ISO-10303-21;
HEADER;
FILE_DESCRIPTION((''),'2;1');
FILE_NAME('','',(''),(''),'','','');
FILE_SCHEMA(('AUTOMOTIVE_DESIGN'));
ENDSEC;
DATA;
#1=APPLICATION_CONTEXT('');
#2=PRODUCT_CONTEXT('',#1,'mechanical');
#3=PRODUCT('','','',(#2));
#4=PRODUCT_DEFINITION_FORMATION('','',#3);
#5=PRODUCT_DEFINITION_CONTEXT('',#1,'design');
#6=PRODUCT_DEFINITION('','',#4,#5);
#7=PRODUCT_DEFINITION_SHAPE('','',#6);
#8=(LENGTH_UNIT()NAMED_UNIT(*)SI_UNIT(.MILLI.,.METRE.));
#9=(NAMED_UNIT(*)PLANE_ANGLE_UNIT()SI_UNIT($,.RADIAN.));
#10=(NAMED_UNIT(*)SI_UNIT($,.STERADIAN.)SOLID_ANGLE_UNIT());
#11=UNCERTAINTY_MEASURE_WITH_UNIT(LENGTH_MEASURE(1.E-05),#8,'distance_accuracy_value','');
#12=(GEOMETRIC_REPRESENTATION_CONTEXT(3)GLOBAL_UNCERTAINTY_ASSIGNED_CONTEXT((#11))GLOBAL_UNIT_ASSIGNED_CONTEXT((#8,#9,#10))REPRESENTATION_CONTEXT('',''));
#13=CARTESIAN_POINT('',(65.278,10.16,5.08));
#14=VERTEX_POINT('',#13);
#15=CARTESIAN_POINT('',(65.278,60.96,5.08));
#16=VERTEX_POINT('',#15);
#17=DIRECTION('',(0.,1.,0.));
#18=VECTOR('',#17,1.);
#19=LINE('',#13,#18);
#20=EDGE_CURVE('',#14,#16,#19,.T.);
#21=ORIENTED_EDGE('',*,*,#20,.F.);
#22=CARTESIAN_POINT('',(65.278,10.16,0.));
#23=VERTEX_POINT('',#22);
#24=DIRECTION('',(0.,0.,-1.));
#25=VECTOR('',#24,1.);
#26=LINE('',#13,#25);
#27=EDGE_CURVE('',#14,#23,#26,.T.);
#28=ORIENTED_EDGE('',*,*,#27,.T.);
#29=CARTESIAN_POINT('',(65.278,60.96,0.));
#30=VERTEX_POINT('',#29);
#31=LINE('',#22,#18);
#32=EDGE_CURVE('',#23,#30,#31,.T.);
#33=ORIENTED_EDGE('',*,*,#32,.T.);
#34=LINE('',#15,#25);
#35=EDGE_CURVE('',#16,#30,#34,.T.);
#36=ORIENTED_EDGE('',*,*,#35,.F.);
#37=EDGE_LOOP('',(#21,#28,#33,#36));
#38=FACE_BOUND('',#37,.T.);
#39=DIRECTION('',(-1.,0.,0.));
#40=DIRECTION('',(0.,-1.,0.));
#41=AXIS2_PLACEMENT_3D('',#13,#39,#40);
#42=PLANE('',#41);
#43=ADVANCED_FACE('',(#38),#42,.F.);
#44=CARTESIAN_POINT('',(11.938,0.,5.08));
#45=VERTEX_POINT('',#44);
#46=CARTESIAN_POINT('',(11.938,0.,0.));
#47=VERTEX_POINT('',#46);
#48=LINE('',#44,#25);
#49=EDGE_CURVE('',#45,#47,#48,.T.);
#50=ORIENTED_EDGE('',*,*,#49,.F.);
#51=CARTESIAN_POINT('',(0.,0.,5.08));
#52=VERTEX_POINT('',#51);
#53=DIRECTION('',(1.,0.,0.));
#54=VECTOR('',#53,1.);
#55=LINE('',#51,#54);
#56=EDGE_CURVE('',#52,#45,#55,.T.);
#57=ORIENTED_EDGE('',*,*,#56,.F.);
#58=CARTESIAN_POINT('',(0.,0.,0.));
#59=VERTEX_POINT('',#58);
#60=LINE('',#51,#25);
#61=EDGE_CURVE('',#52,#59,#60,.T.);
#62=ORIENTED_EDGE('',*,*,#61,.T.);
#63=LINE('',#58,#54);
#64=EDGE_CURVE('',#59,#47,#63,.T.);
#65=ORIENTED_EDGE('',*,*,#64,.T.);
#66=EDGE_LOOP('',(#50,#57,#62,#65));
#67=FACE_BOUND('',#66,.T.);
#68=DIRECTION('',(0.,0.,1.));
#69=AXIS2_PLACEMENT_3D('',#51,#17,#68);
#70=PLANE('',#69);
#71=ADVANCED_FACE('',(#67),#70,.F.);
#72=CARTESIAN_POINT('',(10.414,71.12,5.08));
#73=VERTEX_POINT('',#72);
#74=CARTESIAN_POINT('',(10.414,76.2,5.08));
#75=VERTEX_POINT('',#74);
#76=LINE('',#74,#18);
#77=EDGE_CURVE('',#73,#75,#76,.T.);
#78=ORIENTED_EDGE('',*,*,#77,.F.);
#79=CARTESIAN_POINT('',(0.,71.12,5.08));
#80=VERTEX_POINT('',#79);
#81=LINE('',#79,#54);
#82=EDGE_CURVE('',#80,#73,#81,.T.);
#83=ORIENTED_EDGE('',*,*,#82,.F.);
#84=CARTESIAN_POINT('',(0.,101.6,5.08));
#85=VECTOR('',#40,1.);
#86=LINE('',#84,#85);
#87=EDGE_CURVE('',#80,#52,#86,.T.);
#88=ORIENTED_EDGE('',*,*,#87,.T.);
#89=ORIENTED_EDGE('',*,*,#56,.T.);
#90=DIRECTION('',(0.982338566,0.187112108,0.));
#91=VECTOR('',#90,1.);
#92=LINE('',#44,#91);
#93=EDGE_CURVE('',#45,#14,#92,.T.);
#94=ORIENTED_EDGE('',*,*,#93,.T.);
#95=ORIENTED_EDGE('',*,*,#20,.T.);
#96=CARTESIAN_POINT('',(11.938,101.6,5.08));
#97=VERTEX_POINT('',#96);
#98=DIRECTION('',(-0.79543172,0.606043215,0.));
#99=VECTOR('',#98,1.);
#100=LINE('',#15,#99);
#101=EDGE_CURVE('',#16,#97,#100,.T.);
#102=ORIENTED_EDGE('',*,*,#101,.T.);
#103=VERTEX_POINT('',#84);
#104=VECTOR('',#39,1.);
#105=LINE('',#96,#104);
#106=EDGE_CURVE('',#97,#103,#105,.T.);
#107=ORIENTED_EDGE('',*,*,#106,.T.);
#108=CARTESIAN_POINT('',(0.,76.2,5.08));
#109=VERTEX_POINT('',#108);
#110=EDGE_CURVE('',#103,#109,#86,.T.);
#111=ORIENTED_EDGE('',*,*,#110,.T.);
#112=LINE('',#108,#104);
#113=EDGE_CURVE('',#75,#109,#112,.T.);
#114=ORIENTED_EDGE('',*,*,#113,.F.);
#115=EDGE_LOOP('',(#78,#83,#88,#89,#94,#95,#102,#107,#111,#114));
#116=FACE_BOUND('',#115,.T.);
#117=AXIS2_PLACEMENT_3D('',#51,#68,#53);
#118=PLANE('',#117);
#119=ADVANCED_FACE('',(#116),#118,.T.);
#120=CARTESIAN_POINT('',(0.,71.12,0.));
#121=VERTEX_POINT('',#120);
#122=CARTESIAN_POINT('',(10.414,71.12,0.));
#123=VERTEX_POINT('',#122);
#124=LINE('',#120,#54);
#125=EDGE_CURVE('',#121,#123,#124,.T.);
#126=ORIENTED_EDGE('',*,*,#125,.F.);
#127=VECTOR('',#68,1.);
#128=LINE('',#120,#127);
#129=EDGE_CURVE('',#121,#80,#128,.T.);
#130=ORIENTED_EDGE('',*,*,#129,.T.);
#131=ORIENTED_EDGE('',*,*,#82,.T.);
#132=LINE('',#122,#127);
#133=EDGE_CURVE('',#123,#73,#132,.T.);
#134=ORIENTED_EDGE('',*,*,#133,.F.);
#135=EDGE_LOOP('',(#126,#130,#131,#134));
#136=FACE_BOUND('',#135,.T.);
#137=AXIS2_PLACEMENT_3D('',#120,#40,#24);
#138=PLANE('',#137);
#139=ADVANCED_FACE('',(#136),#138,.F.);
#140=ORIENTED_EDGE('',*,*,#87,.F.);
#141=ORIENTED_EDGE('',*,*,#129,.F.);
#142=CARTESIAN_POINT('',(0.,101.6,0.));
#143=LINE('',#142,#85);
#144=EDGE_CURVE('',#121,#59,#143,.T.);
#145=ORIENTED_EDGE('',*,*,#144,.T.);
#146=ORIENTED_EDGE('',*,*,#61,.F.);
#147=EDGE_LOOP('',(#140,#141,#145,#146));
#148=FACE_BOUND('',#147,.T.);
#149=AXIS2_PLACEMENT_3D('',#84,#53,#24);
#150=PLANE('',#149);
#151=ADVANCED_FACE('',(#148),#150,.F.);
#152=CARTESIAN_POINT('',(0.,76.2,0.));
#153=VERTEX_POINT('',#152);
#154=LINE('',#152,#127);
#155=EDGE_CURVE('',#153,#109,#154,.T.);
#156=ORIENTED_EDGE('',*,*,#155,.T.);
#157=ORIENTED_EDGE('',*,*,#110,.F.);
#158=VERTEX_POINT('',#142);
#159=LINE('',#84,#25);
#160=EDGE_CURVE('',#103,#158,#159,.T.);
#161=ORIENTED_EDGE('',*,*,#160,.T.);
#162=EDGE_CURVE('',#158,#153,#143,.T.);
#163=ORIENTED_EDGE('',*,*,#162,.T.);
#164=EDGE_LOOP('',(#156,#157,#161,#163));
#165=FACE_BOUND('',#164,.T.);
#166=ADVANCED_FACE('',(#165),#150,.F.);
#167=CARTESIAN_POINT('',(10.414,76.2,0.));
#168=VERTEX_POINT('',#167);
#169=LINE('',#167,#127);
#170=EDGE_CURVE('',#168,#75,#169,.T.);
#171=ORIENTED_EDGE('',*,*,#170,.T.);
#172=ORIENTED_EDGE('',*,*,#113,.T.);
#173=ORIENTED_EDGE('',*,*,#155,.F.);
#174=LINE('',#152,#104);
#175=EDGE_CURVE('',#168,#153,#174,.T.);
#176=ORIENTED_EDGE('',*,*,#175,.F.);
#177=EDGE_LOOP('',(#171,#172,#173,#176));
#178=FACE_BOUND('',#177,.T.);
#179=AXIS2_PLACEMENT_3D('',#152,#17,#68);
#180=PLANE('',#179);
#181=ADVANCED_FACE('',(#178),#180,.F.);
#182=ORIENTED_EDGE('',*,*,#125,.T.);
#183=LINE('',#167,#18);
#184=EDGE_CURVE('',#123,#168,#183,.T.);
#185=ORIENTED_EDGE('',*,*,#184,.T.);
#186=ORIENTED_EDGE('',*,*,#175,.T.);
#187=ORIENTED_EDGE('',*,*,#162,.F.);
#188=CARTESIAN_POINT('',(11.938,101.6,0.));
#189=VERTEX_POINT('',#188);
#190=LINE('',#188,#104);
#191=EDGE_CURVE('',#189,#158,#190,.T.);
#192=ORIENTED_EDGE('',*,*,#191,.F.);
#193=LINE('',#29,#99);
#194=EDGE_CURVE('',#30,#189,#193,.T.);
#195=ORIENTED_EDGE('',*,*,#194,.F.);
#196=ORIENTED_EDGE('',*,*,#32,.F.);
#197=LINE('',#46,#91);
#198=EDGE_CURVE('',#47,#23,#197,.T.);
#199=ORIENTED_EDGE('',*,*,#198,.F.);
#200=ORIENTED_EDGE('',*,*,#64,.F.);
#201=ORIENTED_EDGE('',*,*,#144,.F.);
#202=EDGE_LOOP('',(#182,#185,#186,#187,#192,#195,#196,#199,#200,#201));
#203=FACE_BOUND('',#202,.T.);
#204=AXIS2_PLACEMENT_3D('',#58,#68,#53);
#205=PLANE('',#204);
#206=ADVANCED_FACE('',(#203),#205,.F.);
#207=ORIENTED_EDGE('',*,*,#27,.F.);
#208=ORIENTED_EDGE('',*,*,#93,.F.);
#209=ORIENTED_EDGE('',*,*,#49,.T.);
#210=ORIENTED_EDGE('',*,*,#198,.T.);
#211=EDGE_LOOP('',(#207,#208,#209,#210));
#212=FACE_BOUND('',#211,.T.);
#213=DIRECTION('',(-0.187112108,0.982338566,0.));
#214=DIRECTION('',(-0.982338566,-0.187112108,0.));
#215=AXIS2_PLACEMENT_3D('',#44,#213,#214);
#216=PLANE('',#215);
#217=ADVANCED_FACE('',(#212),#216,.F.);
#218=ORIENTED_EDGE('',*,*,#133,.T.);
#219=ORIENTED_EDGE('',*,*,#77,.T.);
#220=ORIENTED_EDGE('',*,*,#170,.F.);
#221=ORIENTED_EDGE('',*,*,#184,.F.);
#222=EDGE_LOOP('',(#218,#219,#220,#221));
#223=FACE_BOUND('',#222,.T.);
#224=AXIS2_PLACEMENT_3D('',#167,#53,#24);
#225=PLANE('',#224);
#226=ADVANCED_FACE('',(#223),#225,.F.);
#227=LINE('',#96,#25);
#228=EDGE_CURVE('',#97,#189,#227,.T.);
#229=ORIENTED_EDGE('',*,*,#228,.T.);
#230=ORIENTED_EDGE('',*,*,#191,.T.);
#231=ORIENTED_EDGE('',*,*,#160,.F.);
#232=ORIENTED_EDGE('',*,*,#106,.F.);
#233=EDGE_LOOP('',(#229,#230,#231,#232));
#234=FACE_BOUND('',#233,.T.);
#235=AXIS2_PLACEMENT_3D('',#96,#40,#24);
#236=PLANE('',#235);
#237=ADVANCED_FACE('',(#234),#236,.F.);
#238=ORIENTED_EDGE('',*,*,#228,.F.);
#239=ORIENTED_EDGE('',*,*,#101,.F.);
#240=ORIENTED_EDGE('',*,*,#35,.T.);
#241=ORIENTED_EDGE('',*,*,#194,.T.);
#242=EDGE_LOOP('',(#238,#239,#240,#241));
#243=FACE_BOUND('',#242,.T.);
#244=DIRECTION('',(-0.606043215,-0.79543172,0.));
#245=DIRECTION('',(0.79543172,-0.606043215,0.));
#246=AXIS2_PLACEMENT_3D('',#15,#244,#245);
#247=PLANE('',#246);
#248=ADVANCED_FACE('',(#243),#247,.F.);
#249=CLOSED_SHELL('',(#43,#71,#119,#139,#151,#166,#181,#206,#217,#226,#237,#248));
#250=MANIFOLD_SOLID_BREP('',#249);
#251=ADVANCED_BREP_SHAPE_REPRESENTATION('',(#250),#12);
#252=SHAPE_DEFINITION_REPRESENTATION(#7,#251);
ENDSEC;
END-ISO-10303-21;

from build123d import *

# Parameters (mm, degrees)
BOSS_EXTRUDE1_DEPTH = 5.08
SKETCH3_W           = 10.414
SKETCH3_H           = 5.08
CUT_EXTRUDE1_DEPTH  = 121.870110797


with BuildPart() as part:
    # Sketch2 → Boss-Extrude1 (new body)
    with BuildSketch(Plane.XY):
        Polygon((0, 0), (11.938, 0), (65.278, 10.16), (65.278, 60.96), (11.938, 101.6), (0, 101.6), align=None)
    extrude(amount=BOSS_EXTRUDE1_DEPTH)

    # Sketch3 → Cut-Extrude1 (cut, through all)
    with BuildSketch(Plane.XY.offset(5.08)):
        with Locations((5.207, 73.66)):
            Rectangle(SKETCH3_W, SKETCH3_H)
    extrude(amount=-CUT_EXTRUDE1_DEPTH, mode=Mode.SUBTRACT)


solid = part.part
